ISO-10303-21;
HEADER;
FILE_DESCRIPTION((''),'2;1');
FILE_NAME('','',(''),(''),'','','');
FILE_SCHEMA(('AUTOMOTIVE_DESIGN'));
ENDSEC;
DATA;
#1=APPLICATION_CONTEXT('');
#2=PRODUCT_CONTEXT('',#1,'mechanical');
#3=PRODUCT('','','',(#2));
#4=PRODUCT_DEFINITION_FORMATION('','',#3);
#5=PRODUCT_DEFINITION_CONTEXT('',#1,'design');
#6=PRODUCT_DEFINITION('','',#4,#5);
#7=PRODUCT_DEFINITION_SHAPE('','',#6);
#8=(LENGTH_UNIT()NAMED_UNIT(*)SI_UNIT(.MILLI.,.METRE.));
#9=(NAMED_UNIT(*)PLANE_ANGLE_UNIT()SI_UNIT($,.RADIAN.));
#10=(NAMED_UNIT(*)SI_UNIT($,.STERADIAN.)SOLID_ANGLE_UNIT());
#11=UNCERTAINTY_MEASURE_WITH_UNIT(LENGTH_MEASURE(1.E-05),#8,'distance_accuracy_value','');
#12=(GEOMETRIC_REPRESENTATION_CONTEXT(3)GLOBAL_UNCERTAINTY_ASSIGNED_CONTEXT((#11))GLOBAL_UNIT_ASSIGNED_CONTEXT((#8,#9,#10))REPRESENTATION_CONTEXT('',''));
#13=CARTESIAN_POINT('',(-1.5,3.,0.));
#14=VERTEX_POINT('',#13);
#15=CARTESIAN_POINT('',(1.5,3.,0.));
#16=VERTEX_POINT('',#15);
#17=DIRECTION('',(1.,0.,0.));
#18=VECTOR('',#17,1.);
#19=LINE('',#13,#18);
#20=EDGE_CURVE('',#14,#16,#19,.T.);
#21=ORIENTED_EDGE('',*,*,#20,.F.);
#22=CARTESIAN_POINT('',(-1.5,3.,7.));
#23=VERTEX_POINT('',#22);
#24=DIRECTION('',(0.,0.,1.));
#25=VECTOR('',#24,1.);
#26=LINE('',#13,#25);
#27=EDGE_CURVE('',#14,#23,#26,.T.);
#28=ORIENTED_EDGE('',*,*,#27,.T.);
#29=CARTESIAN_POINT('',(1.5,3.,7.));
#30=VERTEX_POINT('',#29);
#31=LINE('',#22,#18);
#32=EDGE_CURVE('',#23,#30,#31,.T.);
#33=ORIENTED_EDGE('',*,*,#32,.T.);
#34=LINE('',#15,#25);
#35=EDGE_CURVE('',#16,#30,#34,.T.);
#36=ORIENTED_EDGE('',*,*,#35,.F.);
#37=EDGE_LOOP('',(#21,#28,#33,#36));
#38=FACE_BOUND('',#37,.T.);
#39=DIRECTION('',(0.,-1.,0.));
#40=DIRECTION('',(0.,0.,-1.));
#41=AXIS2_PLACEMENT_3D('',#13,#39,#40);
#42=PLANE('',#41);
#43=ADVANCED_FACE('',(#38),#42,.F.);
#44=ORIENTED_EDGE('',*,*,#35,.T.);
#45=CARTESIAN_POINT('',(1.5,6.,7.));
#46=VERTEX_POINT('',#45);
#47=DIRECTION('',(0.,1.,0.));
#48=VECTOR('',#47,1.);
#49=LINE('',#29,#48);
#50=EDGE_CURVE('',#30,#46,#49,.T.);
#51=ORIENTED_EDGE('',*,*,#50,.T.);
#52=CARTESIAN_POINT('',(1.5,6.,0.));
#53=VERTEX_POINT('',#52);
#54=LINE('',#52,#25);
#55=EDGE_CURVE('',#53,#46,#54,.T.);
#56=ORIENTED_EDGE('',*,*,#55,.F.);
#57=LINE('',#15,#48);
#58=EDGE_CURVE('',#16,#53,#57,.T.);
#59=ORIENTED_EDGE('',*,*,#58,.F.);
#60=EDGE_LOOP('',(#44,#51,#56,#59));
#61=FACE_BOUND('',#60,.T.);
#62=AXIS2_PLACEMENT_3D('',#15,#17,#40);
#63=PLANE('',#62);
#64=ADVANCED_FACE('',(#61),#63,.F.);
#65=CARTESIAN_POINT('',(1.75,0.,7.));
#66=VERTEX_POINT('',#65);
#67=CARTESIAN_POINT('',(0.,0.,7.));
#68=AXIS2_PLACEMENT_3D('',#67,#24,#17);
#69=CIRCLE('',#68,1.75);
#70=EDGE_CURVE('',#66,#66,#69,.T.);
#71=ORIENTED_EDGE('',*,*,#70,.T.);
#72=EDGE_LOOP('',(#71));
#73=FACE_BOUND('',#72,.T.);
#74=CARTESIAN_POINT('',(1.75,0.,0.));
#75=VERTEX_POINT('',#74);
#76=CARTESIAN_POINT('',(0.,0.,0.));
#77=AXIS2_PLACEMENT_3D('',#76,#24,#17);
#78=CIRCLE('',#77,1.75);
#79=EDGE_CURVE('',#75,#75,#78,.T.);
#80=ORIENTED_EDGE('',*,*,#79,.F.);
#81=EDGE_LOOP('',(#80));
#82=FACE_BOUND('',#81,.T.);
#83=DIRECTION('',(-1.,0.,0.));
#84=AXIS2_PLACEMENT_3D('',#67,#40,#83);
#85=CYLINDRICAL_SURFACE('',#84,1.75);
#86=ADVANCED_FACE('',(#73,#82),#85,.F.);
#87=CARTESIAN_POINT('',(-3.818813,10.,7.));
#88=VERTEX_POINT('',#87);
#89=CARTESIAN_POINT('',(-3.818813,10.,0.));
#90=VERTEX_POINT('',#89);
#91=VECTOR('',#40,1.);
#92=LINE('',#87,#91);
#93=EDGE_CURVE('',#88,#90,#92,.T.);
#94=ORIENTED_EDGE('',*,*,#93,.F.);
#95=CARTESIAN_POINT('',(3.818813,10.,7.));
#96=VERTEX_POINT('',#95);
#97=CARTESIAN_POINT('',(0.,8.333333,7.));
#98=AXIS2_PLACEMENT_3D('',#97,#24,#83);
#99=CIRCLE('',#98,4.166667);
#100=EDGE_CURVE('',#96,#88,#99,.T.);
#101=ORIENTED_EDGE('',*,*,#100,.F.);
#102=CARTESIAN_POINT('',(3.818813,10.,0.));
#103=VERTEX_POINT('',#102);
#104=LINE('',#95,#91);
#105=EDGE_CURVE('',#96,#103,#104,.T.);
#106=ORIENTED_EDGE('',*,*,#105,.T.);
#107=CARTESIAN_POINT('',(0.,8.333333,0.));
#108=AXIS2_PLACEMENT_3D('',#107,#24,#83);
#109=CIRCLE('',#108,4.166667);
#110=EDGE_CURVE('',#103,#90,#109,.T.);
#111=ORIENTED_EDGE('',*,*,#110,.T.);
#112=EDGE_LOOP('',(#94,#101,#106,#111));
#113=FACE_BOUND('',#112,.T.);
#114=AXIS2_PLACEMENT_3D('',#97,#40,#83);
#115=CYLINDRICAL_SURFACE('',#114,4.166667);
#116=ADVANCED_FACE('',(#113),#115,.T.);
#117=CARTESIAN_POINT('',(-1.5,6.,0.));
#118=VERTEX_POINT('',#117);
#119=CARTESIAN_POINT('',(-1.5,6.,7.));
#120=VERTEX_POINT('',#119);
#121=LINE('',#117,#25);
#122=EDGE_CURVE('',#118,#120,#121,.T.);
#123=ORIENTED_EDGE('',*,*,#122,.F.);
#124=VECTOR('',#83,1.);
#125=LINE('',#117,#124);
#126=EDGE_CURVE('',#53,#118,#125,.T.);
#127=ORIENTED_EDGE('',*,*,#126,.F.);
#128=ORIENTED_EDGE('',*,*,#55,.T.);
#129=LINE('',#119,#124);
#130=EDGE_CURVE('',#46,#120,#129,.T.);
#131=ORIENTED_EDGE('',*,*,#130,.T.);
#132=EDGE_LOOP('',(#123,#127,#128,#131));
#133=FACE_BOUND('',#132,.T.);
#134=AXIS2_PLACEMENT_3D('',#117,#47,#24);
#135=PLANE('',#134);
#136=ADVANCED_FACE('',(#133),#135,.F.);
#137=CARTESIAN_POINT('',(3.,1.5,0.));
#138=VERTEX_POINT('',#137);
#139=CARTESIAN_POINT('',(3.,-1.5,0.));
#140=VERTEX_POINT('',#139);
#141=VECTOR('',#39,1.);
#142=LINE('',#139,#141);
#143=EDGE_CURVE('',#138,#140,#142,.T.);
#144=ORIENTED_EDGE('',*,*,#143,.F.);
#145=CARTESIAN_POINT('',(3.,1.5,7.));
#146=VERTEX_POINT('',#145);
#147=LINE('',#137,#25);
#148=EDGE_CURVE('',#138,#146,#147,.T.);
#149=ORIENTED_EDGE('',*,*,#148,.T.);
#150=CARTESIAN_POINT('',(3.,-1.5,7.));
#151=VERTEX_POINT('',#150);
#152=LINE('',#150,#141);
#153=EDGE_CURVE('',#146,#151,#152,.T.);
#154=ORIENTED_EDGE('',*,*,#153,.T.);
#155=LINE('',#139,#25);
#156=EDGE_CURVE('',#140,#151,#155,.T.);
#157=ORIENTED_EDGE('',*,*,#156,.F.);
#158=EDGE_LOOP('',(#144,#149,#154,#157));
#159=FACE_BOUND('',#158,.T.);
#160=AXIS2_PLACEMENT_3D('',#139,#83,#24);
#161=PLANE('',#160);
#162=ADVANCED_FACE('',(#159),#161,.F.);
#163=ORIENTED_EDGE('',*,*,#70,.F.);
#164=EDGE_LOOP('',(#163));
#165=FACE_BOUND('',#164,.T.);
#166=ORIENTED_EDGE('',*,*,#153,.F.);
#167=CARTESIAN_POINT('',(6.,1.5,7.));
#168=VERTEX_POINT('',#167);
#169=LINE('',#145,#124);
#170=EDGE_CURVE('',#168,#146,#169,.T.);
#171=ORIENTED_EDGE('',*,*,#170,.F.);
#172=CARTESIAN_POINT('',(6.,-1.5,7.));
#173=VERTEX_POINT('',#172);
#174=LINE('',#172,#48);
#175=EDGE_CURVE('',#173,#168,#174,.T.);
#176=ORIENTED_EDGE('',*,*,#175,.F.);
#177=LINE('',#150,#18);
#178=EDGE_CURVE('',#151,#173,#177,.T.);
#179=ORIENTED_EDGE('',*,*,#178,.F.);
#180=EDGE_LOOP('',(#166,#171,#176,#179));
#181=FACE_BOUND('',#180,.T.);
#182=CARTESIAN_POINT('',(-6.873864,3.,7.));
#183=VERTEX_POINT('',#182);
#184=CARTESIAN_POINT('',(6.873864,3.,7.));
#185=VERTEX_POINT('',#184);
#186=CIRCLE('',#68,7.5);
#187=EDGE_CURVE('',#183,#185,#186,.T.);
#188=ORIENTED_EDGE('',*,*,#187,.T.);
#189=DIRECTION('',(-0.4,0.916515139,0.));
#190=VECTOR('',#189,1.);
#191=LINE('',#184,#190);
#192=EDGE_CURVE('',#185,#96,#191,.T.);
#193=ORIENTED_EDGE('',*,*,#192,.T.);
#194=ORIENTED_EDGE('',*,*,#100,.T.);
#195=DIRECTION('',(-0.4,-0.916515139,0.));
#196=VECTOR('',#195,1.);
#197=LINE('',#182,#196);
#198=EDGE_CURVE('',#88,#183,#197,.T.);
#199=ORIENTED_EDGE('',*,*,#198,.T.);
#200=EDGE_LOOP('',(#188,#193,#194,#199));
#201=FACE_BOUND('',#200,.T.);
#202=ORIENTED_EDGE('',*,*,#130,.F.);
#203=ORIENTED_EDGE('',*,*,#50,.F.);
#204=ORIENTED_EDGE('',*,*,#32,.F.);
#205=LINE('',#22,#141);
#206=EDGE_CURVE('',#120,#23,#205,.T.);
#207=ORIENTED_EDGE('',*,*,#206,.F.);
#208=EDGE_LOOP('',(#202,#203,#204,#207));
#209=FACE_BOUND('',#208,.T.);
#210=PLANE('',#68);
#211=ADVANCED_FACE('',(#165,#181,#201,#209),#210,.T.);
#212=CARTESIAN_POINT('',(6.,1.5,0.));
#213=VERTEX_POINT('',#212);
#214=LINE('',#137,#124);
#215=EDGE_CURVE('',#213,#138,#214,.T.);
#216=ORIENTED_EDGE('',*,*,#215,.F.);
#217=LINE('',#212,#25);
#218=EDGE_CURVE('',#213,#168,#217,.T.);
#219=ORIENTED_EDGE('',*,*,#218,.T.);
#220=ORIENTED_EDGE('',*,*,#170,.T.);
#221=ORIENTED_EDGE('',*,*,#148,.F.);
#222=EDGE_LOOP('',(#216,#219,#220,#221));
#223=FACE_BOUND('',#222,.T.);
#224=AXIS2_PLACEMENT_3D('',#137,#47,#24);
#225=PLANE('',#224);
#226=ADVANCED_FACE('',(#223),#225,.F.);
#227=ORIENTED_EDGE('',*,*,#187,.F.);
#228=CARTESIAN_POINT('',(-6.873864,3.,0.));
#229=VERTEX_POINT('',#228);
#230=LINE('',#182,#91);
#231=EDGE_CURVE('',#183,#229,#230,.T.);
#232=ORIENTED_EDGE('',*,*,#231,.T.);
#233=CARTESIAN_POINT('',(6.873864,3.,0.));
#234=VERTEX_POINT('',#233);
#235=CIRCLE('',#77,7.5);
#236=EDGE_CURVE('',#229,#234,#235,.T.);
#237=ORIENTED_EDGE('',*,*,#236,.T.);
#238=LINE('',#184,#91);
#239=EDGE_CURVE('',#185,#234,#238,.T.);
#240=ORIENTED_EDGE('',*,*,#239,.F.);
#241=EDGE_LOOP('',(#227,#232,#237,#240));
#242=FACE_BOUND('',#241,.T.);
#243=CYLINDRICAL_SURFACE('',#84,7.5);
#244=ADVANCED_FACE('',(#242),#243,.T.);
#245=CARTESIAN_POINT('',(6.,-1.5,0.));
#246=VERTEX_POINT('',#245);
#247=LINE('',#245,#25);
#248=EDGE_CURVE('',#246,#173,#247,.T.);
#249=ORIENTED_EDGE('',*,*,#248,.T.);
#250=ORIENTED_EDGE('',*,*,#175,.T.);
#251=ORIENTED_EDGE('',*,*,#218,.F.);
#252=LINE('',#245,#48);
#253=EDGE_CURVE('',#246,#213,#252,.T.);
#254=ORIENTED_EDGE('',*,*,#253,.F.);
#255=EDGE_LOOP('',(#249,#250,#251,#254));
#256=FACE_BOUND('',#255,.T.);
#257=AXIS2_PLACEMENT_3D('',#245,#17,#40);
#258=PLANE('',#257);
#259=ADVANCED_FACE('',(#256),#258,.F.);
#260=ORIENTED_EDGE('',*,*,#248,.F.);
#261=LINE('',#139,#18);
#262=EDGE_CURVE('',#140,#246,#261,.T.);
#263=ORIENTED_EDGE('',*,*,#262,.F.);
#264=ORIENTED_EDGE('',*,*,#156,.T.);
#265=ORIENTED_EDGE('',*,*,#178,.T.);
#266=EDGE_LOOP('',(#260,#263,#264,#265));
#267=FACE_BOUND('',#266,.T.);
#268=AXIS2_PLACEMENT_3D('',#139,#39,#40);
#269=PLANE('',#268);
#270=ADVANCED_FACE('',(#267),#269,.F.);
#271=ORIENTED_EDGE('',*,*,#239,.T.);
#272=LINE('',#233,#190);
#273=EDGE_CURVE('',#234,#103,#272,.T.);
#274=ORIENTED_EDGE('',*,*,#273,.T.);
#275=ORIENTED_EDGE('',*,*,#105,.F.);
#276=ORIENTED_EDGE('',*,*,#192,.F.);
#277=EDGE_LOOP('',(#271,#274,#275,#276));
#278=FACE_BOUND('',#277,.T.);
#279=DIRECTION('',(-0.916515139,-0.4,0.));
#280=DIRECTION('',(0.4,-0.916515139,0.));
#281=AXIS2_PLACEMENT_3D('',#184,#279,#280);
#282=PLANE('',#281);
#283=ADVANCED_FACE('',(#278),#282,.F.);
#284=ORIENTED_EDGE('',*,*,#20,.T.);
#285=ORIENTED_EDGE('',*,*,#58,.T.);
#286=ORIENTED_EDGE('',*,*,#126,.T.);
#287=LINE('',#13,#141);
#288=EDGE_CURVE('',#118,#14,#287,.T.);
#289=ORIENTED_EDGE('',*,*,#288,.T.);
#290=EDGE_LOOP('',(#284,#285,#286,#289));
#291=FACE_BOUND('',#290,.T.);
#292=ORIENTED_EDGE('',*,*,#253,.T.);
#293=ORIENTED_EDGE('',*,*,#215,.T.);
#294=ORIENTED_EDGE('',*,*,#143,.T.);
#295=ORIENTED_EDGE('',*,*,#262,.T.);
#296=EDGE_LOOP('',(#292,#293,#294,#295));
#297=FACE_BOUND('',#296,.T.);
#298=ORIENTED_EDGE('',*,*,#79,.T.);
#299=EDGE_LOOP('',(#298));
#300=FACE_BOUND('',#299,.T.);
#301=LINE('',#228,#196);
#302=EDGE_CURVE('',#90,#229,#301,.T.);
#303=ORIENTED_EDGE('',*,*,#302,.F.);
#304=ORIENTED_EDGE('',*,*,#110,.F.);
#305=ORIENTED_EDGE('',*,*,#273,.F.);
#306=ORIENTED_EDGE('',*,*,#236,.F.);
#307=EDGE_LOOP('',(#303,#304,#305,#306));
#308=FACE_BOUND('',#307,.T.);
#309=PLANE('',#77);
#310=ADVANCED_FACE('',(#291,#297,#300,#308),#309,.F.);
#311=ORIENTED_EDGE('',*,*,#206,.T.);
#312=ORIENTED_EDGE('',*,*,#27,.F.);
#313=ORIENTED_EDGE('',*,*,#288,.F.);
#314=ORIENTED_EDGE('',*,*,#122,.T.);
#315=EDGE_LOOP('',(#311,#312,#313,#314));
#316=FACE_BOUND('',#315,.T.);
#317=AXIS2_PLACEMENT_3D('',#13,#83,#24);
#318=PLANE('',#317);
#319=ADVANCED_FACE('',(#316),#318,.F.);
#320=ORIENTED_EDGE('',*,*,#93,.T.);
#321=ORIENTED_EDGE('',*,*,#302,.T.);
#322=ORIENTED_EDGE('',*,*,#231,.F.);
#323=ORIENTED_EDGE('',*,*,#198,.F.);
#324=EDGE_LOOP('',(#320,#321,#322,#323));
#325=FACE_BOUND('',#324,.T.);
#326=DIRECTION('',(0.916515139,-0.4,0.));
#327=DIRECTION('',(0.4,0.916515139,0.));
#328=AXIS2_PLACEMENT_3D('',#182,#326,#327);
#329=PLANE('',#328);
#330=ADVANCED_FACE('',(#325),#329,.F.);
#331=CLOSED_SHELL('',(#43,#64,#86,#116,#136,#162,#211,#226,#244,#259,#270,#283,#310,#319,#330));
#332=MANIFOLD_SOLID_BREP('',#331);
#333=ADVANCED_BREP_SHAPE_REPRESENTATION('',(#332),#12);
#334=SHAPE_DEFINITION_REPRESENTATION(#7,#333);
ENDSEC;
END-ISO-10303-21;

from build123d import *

# Parameters (mm, degrees)
SKETCH1_R           = 1.75
BOSS_EXTRUDE1_DEPTH = 7
SKETCH2_W           = 3
SKETCH2_H           = 3
CUT_EXTRUDE1_DEPTH  = 17.170961629


with BuildPart() as part:
    # Sketch1 → Boss-Extrude1 (new body)
    with BuildSketch(Plane.XY):
        with BuildLine():
            Line((-6.873863542, 3), (-3.818813079, 10))
            ThreePointArc((-3.818813079, 10), (0, 12.5), (3.818813079, 10))
            Line((3.818813079, 10), (6.873863542, 3))
            ThreePointArc((6.873863542, 3), (0, -7.5), (-6.873863542, 3))
        make_face()
        Circle(SKETCH1_R, mode=Mode.SUBTRACT)
    extrude(amount=BOSS_EXTRUDE1_DEPTH)

    # Sketch2 → Cut-Extrude1 (cut, through all)
    with BuildSketch(Plane.XY.offset(7)):
        with Locations((0, 4.5)):
            Rectangle(SKETCH2_W, SKETCH2_H)
        with Locations((4.5, 0)):
            Rectangle(SKETCH2_W, SKETCH2_H)
    extrude(amount=-CUT_EXTRUDE1_DEPTH, mode=Mode.SUBTRACT)


solid = part.part
